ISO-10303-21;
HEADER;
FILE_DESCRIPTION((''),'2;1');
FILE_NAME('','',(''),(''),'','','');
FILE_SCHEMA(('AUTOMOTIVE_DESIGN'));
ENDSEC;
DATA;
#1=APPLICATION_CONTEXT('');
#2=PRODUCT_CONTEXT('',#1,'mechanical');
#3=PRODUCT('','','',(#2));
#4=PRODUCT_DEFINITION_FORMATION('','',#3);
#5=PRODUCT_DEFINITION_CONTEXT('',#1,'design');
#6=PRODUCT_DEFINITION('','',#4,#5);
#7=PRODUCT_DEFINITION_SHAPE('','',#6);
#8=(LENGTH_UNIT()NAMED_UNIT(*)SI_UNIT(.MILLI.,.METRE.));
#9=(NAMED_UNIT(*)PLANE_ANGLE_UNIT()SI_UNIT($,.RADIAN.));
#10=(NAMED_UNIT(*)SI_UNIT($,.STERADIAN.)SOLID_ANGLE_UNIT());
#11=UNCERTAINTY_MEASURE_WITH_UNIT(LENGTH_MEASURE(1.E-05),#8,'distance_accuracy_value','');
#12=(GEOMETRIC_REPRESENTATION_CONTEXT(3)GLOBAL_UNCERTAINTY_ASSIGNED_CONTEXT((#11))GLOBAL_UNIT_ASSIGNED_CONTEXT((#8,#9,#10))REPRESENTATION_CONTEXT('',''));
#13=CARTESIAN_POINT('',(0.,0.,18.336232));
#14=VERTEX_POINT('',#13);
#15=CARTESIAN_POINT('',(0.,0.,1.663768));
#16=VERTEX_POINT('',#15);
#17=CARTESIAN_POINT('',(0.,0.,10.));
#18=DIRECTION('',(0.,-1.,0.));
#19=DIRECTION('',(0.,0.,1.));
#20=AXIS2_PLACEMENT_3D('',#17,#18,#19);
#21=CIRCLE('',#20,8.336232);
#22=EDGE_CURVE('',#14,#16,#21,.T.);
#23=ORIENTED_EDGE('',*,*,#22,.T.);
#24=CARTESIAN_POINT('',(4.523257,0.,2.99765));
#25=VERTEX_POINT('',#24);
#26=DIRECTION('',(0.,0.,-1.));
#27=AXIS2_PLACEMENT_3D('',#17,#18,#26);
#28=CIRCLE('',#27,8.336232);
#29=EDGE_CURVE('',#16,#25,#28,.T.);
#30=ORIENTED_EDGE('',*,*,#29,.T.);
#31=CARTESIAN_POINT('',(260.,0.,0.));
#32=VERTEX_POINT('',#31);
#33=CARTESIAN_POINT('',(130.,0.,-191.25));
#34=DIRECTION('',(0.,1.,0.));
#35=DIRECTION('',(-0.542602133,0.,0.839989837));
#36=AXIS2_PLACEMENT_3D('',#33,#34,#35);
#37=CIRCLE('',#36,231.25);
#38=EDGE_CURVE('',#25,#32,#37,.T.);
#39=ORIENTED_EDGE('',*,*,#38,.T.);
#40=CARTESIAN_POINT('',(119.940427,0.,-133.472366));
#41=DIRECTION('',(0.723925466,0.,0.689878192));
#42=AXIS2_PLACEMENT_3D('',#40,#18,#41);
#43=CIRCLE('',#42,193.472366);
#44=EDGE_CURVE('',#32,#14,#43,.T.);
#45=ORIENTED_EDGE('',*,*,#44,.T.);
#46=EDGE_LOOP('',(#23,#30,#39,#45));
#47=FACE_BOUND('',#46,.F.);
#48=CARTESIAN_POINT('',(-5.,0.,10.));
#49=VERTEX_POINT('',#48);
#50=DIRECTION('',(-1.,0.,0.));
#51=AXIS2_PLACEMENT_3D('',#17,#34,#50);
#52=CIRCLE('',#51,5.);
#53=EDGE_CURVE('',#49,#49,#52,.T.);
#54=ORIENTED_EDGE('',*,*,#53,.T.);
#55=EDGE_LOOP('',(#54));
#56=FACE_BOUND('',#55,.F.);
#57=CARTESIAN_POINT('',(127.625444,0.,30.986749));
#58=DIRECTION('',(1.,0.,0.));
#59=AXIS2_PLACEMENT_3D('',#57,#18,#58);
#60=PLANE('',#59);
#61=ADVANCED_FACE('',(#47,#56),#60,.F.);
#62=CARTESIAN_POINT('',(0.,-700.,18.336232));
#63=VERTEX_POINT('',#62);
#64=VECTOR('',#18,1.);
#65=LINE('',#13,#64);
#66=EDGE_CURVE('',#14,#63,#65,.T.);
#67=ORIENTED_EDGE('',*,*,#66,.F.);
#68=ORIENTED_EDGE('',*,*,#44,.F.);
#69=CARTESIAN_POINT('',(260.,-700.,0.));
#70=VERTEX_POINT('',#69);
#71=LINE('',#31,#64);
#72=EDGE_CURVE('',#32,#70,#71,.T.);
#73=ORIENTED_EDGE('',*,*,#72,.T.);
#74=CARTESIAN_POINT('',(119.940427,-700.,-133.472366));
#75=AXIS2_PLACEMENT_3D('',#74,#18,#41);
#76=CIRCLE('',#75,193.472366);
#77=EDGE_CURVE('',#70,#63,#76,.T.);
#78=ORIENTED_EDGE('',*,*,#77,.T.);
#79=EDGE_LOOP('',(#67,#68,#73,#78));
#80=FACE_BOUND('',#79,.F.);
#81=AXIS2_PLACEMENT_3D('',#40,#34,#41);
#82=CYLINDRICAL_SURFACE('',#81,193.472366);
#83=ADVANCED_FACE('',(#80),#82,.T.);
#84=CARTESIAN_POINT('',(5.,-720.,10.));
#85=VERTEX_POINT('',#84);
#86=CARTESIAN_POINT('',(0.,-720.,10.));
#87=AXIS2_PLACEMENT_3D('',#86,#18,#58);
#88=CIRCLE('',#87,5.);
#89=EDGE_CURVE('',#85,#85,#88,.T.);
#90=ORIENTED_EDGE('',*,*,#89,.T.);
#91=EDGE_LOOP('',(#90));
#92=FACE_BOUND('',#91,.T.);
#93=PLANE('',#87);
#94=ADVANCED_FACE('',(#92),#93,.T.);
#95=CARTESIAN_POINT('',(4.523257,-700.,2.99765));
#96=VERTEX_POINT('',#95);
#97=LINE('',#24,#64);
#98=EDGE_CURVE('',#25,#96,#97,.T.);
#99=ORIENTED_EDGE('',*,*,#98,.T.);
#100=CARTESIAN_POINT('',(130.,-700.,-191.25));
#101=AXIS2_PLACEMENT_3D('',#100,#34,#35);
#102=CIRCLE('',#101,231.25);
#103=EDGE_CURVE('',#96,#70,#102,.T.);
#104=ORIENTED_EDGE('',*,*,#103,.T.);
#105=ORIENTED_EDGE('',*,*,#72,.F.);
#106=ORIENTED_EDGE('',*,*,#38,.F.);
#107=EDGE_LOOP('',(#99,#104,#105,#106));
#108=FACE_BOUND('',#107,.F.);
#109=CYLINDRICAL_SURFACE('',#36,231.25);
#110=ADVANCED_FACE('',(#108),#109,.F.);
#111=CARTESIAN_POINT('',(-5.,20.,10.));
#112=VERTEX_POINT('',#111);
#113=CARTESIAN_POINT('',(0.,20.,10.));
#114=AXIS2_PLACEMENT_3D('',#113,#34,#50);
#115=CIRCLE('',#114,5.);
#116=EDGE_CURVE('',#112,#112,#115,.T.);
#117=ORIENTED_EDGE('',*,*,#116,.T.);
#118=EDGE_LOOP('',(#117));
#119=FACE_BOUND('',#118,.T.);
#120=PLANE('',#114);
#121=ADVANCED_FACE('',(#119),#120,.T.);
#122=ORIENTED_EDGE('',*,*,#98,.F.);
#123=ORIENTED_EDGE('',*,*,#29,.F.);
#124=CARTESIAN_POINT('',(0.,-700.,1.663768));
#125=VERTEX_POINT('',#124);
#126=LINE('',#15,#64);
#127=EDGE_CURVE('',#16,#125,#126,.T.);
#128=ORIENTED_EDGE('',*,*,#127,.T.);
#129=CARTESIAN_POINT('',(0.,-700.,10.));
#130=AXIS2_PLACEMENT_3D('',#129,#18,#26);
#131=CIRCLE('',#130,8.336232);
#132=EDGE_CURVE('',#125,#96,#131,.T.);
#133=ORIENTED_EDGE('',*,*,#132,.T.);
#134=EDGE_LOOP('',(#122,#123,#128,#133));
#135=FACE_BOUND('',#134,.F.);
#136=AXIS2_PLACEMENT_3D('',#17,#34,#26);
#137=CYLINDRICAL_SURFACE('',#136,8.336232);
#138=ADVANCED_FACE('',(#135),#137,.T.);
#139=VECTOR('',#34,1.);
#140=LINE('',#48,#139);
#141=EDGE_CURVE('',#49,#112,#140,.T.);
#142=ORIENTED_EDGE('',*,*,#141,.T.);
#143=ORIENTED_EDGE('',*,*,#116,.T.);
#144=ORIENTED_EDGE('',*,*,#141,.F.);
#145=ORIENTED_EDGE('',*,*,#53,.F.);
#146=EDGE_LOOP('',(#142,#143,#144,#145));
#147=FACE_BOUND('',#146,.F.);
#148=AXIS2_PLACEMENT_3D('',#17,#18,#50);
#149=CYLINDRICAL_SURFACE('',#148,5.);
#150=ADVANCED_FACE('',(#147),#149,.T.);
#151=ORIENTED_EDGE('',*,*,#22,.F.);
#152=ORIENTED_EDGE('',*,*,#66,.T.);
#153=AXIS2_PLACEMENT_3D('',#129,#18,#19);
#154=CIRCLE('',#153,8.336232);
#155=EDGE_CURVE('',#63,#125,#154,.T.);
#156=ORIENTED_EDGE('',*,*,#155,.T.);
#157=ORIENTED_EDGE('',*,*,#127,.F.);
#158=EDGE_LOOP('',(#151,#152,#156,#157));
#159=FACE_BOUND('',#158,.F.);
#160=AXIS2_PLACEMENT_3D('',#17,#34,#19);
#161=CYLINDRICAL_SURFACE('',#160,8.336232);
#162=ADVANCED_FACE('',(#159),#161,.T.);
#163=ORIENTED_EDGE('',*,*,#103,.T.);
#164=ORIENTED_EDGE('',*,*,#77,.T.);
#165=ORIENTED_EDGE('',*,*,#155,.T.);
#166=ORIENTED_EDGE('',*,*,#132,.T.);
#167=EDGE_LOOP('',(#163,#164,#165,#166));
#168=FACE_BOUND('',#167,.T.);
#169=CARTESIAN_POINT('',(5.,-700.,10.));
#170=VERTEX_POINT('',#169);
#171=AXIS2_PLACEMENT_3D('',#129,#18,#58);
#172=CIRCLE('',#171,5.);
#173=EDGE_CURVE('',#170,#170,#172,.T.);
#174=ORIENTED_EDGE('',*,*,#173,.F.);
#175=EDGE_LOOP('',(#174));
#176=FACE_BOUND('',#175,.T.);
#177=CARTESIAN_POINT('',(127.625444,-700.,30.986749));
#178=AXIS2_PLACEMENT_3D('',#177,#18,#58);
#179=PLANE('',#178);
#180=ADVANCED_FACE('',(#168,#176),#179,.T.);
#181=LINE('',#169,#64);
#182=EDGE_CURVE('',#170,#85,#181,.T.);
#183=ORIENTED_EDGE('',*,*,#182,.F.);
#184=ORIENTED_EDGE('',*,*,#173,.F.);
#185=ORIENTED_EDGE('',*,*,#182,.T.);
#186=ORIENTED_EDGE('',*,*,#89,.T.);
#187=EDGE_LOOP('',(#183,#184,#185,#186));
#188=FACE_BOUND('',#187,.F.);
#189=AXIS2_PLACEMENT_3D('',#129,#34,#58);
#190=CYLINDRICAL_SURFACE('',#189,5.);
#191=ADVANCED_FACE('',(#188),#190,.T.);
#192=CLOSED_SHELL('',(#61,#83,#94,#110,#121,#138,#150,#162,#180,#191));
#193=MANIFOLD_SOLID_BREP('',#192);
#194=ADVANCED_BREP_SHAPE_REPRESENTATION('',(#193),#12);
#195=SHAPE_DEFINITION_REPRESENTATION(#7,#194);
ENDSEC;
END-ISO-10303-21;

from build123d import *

# Parameters (mm, degrees)
F1_DEPTH = 700
F2_R     = 5
F3_DEPTH = 20
F4_R     = 5
F5_DEPTH = 20


with BuildPart() as f1:
    # F0 (on Front) → F1 (new body)
    with BuildSketch(Plane.XZ):
        with BuildLine():
            ThreePointArc((4.5232568237, 2.9976497203), (132.7131971979, 39.9840828273), (260, 0))
            ThreePointArc((260, 0), (133.5510610534, 59.5206573171), (0, 18.3362318665))
            ThreePointArc((0, 18.3362318665), (5.8946060824, 15.8946060824), (8.3362318665, 10))
            ThreePointArc((8.3362318665, 10), (7.3211911397, 6.0134072155), (4.5232568237, 2.9976497203))
        make_face()
        with BuildLine():
            Line((0, 18.3362318665), (0, 1.6637681335))
            ThreePointArc((0, 1.6637681335), (2.3579171095, 2.0041893071), (4.5232568237, 2.9976497203))
            ThreePointArc((4.5232568237, 2.9976497203), (7.3211911397, 6.0134072155), (8.3362318665, 10))
            ThreePointArc((8.3362318665, 10), (5.8946060824, 15.8946060824), (0, 18.3362318665))
        make_face()
        with BuildLine():
            ThreePointArc((0, 18.3362318665), (-8.3362318665, 10), (0, 1.6637681335))
            Line((0, 1.6637681335), (0, 18.3362318665))
        make_face()
    extrude(amount=F1_DEPTH)

    # F2 (on face) → F3 (join)
    with BuildSketch(Plane.XZ.offset(700)):
        with Locations((0, 10)):
            Circle(F2_R)
    extrude(amount=F3_DEPTH)

    # F4 (on face) → F5 (join)
    with BuildSketch(Plane(origin=(0, 0, 0), x_dir=(-1, 0, 0), z_dir=(0, 1, 0))):
        with Locations((0, 10)):
            Circle(F4_R)
    extrude(amount=F5_DEPTH)


solid = f1.part
